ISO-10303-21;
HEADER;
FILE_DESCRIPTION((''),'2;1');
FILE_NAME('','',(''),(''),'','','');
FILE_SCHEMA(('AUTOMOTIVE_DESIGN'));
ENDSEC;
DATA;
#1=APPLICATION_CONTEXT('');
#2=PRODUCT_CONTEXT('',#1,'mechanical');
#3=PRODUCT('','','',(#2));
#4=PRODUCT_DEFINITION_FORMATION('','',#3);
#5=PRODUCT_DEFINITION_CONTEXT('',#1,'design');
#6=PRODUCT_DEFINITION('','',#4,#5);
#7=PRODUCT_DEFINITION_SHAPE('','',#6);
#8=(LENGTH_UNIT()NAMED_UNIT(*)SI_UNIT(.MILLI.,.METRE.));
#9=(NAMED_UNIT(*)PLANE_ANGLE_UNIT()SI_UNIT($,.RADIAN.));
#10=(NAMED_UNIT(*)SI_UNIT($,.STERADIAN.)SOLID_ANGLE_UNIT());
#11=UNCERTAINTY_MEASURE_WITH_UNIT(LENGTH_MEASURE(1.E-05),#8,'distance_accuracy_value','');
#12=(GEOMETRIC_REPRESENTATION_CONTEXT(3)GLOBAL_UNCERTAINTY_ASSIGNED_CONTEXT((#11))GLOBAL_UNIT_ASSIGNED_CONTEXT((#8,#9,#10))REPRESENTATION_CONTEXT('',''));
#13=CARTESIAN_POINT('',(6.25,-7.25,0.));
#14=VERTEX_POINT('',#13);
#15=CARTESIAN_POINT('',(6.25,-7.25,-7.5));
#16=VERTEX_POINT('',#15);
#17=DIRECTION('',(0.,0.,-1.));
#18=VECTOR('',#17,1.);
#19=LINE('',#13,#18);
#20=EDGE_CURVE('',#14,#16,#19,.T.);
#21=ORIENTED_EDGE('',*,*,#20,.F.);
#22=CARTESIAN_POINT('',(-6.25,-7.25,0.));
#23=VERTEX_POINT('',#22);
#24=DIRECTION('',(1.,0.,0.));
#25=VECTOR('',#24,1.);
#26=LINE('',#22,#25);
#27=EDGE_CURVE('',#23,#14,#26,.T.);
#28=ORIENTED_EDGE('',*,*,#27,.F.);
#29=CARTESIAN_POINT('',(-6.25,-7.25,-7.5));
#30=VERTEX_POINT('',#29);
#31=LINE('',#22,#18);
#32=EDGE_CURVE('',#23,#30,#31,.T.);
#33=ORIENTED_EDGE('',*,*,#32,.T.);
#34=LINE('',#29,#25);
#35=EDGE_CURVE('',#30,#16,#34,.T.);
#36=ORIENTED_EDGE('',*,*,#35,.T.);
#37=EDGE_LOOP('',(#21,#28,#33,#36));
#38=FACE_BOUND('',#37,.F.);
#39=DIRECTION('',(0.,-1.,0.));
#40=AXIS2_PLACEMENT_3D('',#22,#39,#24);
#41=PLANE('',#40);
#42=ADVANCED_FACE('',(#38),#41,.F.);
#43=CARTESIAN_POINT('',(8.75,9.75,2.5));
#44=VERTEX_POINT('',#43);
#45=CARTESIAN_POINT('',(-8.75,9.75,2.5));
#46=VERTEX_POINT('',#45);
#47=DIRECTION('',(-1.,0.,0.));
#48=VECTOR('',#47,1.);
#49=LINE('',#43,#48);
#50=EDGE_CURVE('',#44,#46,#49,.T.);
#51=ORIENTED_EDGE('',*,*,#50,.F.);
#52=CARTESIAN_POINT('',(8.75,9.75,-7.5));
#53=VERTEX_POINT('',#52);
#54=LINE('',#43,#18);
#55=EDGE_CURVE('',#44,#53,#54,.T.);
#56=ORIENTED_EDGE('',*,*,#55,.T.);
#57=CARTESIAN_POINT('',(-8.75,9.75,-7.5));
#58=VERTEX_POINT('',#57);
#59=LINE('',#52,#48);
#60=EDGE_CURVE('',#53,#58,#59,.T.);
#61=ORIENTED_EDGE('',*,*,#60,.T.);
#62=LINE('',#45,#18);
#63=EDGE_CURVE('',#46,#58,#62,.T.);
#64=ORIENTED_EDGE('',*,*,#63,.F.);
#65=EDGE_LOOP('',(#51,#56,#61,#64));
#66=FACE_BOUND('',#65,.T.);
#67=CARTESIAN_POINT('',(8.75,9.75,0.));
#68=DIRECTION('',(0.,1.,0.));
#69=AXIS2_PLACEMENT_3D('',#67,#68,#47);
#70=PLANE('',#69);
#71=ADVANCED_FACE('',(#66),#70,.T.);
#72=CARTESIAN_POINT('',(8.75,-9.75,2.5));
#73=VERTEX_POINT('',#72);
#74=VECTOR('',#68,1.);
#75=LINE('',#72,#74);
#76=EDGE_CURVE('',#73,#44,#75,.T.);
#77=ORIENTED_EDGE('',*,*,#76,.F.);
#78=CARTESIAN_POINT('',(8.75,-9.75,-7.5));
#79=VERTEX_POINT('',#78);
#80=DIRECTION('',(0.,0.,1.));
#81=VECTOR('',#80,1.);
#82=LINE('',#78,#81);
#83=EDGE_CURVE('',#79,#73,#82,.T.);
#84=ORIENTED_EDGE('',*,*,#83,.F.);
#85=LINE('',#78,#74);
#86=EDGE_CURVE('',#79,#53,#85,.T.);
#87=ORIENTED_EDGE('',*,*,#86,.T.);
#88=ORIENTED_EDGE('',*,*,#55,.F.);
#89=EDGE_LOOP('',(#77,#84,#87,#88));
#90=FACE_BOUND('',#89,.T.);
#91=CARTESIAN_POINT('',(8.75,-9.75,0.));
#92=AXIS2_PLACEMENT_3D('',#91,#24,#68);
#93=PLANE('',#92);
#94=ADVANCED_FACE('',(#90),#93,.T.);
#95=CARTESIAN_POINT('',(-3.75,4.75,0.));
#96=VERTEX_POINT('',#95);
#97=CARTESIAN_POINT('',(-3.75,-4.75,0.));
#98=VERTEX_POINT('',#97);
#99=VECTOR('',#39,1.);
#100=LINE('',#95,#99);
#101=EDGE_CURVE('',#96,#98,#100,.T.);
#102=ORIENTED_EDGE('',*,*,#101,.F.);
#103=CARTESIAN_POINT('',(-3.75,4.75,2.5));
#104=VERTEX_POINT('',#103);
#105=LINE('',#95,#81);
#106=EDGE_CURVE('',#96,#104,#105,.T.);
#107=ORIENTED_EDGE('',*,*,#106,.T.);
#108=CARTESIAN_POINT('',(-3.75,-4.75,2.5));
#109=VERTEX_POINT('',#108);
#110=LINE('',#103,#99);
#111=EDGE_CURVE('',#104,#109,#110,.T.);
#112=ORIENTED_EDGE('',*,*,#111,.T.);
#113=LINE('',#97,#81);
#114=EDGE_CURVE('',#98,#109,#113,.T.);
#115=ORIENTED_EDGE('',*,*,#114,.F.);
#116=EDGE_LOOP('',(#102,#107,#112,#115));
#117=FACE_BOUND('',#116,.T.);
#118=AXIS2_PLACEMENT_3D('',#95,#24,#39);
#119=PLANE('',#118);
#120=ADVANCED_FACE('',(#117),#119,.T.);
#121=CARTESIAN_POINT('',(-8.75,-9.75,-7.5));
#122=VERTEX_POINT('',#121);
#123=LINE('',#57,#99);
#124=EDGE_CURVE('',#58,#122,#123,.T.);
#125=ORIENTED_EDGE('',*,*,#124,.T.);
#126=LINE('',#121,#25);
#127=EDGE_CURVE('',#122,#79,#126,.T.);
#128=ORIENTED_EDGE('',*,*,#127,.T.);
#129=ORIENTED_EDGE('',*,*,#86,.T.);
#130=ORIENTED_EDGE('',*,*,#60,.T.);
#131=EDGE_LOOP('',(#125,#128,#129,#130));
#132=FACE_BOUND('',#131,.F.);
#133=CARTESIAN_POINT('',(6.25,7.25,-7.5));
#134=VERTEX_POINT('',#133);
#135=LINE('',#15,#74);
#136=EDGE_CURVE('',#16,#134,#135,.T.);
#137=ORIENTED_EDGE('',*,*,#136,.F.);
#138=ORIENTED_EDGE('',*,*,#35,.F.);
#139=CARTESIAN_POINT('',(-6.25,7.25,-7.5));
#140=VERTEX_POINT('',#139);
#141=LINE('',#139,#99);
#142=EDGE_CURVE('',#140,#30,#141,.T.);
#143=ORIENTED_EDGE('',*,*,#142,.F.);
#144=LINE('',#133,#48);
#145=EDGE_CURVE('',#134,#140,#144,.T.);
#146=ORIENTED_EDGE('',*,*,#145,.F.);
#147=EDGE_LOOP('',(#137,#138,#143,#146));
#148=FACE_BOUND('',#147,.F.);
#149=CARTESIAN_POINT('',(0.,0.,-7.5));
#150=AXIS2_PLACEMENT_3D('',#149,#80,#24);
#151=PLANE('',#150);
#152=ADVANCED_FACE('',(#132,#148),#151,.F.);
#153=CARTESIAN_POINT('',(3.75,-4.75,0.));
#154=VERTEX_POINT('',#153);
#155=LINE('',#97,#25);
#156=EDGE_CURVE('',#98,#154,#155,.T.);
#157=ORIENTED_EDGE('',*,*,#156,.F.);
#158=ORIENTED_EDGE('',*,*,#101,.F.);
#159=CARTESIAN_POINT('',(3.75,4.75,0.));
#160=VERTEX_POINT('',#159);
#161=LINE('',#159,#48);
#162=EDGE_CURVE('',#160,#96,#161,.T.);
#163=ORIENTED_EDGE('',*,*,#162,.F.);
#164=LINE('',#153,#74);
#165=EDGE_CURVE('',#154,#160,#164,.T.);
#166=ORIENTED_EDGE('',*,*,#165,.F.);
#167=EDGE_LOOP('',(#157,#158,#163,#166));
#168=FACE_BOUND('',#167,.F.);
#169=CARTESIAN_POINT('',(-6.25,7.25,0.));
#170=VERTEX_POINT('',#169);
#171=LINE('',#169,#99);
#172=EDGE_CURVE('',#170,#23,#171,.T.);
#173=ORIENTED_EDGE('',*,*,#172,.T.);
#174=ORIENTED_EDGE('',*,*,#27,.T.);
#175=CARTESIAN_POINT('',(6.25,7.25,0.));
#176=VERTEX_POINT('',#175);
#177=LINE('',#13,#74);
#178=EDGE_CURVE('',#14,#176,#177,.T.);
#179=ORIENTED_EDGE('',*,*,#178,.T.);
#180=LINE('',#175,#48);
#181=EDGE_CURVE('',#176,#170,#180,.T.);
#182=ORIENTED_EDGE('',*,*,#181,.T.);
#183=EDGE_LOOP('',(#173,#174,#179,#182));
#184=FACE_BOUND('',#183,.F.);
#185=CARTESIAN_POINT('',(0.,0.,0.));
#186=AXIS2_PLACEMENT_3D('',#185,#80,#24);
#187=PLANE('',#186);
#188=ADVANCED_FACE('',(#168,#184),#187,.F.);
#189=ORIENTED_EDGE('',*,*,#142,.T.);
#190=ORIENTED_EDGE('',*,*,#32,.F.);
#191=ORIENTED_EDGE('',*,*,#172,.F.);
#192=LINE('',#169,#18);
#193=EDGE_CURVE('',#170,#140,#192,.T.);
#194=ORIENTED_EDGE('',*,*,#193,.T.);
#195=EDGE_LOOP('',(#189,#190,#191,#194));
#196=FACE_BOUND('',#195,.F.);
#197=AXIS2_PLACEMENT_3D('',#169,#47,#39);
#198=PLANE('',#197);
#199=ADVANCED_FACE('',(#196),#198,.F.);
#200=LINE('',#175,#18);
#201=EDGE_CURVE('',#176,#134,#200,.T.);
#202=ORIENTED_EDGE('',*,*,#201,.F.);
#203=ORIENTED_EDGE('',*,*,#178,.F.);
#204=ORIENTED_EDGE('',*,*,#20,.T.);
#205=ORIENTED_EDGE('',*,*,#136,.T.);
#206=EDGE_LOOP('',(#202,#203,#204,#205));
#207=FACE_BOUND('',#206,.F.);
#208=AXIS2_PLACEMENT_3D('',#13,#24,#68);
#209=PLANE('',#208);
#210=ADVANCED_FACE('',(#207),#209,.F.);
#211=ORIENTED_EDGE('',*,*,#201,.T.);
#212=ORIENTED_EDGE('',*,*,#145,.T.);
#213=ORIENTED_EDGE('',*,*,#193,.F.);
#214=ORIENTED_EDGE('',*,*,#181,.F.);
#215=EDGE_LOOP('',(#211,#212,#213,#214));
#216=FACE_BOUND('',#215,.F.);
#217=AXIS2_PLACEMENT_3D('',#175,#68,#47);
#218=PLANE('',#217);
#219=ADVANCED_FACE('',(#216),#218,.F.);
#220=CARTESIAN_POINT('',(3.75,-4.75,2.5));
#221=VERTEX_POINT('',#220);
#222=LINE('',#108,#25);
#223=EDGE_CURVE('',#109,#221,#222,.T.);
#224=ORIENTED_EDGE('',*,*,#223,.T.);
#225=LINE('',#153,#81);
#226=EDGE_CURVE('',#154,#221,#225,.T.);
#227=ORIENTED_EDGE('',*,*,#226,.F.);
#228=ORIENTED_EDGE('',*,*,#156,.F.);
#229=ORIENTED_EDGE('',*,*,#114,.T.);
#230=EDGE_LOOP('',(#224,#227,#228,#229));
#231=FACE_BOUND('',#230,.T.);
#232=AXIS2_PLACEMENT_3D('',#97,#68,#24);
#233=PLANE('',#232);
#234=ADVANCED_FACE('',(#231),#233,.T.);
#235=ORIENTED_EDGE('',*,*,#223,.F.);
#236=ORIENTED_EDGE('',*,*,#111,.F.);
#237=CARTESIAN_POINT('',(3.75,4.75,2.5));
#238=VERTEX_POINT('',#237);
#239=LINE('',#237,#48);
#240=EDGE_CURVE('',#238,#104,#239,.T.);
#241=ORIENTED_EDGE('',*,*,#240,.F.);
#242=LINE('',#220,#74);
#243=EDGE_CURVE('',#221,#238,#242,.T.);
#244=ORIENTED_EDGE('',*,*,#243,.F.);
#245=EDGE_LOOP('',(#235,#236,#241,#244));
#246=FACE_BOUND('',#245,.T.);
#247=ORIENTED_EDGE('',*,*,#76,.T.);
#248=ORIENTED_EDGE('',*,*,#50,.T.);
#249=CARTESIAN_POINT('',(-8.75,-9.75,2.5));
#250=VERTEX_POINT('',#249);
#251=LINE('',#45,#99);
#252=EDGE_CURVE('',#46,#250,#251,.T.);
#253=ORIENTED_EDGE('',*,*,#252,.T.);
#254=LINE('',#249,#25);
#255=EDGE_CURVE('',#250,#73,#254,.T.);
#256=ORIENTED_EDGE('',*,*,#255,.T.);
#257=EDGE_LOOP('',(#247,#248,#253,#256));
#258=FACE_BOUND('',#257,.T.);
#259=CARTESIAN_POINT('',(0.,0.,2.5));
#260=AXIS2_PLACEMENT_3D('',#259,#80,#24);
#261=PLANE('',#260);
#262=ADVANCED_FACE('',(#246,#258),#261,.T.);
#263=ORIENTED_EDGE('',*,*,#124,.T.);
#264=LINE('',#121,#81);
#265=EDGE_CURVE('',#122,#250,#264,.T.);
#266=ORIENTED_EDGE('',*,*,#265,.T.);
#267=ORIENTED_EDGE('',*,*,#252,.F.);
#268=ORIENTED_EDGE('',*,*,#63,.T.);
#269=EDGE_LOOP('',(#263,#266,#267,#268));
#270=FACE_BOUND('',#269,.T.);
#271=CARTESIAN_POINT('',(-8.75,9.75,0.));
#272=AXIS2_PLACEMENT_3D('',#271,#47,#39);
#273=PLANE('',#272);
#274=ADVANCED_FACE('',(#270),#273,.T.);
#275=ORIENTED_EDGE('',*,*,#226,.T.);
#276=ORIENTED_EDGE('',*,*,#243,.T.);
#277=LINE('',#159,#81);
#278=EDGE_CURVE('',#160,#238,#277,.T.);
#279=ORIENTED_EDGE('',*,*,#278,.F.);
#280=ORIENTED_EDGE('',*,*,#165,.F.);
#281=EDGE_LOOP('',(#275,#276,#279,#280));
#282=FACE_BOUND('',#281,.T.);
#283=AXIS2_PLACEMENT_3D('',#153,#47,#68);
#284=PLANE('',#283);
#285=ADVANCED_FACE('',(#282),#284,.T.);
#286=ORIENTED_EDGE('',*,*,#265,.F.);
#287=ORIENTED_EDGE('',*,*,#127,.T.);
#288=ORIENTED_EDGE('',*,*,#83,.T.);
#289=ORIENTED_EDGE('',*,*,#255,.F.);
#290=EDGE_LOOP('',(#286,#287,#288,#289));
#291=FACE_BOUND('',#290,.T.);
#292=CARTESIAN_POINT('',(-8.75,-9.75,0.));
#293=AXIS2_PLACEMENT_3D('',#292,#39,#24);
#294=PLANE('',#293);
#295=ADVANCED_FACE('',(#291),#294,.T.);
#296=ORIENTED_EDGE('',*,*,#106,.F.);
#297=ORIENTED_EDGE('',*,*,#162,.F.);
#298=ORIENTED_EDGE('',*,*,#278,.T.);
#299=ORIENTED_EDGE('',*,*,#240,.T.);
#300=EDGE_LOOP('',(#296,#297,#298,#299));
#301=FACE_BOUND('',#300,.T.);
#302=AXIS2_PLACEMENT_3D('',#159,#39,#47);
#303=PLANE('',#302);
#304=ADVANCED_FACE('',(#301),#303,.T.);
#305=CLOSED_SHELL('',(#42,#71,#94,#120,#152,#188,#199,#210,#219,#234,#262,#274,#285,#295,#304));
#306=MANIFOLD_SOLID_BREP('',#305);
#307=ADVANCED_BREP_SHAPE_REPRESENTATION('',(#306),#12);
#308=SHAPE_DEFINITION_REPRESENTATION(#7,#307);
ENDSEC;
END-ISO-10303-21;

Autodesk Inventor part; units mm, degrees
ref_plane "YZ Plane" through (0, 0, 0) normal (1, 0, 0) x (0, 1, 0)
ref_plane "XZ Plane" through (0, 0, 0) normal (0, 1, 0) x (-1, 0, 0)
ref_plane "XY Plane" through (0, 0, 0) normal (0, 0, 1) x (1, 0, 0)
sketch "Sketch1" plane through (0, 0, 0) normal (0, 0, 1) x (1, 0, 0)
  line L0 (-6.25, -7.25) -> (6.25, -7.25)
  line L1 (6.25, -7.25) -> (6.25, 7.25)
  line L2 (6.25, 7.25) -> (-6.25, 7.25)
  line L3 (-6.25, 7.25) -> (-6.25, -7.25)
  line L4 (-6.25, -7.25) -> (6.25, 7.25) construction
  line L5 (6.25, -7.25) -> (-6.25, 7.25) construction
  line L6 (-8.75, -9.75) -> (8.75, -9.75)
  line L7 (8.75, -9.75) -> (8.75, 9.75)
  line L8 (8.75, 9.75) -> (-8.75, 9.75)
  line L9 (-8.75, 9.75) -> (-8.75, -9.75)
  line L10 (-8.75, -9.75) -> (8.75, 9.75) construction
  line L11 (8.75, -9.75) -> (-8.75, 9.75) construction
  line L12 (-3.75, -4.75) -> (3.75, -4.75)
  line L13 (3.75, -4.75) -> (3.75, 4.75)
  line L14 (3.75, 4.75) -> (-3.75, 4.75)
  line L15 (-3.75, 4.75) -> (-3.75, -4.75)
  line L16 (-3.75, -4.75) -> (3.75, 4.75) construction
  line L17 (3.75, -4.75) -> (-3.75, 4.75) construction
  point P0 (0, 0)
  dimension "d0" = 12.5
  dimension "d1" = 14.5
  dimension "d2" = 17.5
  dimension "d3" = 19.5
  dimension "d4" = 7.5
  dimension "d5" = 9.5
extrude "Extrusion1" add sketch "Sketch1" along normal blind 2.5 contours L3 L2 L1 L0 | L9 L8 L7 L6
extrude "Extrusion2" add sketch "Sketch1" against normal blind 7.5 contours L9 L8 L7 L6
properties part number "Adafruit_1528_4663-ND_House_01"
